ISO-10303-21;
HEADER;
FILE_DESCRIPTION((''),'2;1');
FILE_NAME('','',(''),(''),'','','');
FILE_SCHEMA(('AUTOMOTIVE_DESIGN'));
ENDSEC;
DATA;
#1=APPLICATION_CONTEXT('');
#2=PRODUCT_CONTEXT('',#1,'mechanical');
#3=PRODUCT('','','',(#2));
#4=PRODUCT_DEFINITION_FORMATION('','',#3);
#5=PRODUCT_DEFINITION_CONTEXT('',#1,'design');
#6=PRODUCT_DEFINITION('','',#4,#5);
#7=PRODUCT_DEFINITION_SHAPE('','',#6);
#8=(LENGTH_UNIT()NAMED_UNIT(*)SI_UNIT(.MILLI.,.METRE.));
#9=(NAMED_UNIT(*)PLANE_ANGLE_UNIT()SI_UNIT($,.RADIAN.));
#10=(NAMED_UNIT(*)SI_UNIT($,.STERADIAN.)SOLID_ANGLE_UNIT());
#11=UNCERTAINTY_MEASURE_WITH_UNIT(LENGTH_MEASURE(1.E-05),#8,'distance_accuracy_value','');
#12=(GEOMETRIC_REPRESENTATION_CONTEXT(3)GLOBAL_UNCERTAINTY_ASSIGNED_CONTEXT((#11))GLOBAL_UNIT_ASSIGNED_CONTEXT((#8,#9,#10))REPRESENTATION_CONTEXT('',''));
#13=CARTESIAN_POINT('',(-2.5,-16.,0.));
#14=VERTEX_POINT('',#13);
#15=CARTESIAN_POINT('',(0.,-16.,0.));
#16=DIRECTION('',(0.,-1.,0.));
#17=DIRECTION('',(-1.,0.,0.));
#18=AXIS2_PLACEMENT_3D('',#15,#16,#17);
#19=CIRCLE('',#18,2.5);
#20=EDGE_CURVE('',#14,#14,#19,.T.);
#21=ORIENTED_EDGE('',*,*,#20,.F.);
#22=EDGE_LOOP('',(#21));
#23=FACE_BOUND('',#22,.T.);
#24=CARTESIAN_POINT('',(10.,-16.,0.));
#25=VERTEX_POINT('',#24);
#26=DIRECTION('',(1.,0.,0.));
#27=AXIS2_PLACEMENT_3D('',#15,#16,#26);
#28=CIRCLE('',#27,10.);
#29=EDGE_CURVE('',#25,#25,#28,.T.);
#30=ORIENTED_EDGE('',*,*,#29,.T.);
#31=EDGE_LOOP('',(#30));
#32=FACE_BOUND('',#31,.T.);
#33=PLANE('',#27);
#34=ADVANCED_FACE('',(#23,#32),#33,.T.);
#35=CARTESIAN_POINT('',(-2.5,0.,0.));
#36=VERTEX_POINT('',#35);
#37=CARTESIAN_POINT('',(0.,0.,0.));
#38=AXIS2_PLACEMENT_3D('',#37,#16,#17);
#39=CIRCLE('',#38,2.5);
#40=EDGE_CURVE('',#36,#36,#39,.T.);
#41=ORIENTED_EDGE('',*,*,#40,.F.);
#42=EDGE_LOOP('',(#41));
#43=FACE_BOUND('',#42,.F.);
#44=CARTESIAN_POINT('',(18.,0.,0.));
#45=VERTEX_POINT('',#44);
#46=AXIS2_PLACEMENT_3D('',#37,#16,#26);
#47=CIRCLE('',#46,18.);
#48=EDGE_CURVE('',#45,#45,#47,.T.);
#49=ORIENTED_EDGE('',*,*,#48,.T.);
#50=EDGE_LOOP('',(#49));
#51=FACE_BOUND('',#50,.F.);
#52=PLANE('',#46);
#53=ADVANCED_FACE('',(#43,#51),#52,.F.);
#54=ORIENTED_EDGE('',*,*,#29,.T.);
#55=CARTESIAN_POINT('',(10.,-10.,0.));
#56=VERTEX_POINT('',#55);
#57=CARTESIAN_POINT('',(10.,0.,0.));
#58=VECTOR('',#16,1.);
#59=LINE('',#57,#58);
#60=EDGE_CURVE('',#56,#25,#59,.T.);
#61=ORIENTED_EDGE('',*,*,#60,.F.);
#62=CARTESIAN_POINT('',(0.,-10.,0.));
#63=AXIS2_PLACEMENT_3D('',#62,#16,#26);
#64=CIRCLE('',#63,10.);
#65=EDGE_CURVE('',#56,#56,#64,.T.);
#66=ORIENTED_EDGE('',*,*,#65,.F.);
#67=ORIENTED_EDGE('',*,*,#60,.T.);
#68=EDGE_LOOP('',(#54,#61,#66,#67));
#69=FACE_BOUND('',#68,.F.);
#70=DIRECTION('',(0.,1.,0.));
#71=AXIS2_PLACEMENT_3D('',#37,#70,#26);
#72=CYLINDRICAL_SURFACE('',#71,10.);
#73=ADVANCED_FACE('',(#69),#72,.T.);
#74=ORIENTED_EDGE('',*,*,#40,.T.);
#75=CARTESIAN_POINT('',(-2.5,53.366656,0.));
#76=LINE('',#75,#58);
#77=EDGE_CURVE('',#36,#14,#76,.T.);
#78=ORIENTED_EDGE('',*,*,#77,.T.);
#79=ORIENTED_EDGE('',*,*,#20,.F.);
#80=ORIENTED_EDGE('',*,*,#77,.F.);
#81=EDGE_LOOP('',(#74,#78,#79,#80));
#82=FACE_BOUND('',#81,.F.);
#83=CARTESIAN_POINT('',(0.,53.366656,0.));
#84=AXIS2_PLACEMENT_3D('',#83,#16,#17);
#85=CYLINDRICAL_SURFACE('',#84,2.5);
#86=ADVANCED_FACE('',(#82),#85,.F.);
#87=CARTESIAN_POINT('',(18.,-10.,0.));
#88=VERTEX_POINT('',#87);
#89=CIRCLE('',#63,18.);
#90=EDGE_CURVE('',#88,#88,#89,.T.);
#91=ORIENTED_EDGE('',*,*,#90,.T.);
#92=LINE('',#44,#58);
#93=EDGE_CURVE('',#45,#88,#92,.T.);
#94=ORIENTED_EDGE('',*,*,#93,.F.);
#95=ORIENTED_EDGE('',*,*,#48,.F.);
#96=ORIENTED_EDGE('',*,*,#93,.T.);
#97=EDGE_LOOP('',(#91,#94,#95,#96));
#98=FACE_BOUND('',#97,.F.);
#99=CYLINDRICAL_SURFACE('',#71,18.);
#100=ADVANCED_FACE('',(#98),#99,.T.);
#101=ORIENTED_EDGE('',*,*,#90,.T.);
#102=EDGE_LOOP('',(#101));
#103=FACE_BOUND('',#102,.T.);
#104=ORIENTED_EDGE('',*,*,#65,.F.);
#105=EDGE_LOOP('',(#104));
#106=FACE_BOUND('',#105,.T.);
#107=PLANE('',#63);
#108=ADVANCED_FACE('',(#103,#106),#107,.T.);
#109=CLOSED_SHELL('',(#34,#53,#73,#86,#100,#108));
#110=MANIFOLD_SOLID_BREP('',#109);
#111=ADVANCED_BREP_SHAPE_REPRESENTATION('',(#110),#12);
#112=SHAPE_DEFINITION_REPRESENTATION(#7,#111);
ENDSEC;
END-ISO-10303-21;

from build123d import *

# Parameters (mm, degrees)
F0_R     = 18
F0_R_2   = 10
F1_DEPTH = 10
F2_DEPTH = 16
F3_D     = 5


with BuildPart() as f1:
    # F0 (on Front) → F1 (new body)
    with BuildSketch(Plane.XZ):
        Circle(F0_R)
        Circle(F0_R_2, mode=Mode.SUBTRACT)
    extrude(amount=F1_DEPTH)

    # F0 (on Front) → F2 (join)
    with BuildSketch(Plane.XZ):
        Circle(F0_R_2)
    extrude(amount=F2_DEPTH)

    # F3 (through all)
    with Locations(Plane(origin=(0, 0, 0), x_dir=(1, 0, 0), z_dir=(0, 1, 0))):
        with Locations((0, 0)):
            Hole(F3_D / 2)


solid = f1.part
